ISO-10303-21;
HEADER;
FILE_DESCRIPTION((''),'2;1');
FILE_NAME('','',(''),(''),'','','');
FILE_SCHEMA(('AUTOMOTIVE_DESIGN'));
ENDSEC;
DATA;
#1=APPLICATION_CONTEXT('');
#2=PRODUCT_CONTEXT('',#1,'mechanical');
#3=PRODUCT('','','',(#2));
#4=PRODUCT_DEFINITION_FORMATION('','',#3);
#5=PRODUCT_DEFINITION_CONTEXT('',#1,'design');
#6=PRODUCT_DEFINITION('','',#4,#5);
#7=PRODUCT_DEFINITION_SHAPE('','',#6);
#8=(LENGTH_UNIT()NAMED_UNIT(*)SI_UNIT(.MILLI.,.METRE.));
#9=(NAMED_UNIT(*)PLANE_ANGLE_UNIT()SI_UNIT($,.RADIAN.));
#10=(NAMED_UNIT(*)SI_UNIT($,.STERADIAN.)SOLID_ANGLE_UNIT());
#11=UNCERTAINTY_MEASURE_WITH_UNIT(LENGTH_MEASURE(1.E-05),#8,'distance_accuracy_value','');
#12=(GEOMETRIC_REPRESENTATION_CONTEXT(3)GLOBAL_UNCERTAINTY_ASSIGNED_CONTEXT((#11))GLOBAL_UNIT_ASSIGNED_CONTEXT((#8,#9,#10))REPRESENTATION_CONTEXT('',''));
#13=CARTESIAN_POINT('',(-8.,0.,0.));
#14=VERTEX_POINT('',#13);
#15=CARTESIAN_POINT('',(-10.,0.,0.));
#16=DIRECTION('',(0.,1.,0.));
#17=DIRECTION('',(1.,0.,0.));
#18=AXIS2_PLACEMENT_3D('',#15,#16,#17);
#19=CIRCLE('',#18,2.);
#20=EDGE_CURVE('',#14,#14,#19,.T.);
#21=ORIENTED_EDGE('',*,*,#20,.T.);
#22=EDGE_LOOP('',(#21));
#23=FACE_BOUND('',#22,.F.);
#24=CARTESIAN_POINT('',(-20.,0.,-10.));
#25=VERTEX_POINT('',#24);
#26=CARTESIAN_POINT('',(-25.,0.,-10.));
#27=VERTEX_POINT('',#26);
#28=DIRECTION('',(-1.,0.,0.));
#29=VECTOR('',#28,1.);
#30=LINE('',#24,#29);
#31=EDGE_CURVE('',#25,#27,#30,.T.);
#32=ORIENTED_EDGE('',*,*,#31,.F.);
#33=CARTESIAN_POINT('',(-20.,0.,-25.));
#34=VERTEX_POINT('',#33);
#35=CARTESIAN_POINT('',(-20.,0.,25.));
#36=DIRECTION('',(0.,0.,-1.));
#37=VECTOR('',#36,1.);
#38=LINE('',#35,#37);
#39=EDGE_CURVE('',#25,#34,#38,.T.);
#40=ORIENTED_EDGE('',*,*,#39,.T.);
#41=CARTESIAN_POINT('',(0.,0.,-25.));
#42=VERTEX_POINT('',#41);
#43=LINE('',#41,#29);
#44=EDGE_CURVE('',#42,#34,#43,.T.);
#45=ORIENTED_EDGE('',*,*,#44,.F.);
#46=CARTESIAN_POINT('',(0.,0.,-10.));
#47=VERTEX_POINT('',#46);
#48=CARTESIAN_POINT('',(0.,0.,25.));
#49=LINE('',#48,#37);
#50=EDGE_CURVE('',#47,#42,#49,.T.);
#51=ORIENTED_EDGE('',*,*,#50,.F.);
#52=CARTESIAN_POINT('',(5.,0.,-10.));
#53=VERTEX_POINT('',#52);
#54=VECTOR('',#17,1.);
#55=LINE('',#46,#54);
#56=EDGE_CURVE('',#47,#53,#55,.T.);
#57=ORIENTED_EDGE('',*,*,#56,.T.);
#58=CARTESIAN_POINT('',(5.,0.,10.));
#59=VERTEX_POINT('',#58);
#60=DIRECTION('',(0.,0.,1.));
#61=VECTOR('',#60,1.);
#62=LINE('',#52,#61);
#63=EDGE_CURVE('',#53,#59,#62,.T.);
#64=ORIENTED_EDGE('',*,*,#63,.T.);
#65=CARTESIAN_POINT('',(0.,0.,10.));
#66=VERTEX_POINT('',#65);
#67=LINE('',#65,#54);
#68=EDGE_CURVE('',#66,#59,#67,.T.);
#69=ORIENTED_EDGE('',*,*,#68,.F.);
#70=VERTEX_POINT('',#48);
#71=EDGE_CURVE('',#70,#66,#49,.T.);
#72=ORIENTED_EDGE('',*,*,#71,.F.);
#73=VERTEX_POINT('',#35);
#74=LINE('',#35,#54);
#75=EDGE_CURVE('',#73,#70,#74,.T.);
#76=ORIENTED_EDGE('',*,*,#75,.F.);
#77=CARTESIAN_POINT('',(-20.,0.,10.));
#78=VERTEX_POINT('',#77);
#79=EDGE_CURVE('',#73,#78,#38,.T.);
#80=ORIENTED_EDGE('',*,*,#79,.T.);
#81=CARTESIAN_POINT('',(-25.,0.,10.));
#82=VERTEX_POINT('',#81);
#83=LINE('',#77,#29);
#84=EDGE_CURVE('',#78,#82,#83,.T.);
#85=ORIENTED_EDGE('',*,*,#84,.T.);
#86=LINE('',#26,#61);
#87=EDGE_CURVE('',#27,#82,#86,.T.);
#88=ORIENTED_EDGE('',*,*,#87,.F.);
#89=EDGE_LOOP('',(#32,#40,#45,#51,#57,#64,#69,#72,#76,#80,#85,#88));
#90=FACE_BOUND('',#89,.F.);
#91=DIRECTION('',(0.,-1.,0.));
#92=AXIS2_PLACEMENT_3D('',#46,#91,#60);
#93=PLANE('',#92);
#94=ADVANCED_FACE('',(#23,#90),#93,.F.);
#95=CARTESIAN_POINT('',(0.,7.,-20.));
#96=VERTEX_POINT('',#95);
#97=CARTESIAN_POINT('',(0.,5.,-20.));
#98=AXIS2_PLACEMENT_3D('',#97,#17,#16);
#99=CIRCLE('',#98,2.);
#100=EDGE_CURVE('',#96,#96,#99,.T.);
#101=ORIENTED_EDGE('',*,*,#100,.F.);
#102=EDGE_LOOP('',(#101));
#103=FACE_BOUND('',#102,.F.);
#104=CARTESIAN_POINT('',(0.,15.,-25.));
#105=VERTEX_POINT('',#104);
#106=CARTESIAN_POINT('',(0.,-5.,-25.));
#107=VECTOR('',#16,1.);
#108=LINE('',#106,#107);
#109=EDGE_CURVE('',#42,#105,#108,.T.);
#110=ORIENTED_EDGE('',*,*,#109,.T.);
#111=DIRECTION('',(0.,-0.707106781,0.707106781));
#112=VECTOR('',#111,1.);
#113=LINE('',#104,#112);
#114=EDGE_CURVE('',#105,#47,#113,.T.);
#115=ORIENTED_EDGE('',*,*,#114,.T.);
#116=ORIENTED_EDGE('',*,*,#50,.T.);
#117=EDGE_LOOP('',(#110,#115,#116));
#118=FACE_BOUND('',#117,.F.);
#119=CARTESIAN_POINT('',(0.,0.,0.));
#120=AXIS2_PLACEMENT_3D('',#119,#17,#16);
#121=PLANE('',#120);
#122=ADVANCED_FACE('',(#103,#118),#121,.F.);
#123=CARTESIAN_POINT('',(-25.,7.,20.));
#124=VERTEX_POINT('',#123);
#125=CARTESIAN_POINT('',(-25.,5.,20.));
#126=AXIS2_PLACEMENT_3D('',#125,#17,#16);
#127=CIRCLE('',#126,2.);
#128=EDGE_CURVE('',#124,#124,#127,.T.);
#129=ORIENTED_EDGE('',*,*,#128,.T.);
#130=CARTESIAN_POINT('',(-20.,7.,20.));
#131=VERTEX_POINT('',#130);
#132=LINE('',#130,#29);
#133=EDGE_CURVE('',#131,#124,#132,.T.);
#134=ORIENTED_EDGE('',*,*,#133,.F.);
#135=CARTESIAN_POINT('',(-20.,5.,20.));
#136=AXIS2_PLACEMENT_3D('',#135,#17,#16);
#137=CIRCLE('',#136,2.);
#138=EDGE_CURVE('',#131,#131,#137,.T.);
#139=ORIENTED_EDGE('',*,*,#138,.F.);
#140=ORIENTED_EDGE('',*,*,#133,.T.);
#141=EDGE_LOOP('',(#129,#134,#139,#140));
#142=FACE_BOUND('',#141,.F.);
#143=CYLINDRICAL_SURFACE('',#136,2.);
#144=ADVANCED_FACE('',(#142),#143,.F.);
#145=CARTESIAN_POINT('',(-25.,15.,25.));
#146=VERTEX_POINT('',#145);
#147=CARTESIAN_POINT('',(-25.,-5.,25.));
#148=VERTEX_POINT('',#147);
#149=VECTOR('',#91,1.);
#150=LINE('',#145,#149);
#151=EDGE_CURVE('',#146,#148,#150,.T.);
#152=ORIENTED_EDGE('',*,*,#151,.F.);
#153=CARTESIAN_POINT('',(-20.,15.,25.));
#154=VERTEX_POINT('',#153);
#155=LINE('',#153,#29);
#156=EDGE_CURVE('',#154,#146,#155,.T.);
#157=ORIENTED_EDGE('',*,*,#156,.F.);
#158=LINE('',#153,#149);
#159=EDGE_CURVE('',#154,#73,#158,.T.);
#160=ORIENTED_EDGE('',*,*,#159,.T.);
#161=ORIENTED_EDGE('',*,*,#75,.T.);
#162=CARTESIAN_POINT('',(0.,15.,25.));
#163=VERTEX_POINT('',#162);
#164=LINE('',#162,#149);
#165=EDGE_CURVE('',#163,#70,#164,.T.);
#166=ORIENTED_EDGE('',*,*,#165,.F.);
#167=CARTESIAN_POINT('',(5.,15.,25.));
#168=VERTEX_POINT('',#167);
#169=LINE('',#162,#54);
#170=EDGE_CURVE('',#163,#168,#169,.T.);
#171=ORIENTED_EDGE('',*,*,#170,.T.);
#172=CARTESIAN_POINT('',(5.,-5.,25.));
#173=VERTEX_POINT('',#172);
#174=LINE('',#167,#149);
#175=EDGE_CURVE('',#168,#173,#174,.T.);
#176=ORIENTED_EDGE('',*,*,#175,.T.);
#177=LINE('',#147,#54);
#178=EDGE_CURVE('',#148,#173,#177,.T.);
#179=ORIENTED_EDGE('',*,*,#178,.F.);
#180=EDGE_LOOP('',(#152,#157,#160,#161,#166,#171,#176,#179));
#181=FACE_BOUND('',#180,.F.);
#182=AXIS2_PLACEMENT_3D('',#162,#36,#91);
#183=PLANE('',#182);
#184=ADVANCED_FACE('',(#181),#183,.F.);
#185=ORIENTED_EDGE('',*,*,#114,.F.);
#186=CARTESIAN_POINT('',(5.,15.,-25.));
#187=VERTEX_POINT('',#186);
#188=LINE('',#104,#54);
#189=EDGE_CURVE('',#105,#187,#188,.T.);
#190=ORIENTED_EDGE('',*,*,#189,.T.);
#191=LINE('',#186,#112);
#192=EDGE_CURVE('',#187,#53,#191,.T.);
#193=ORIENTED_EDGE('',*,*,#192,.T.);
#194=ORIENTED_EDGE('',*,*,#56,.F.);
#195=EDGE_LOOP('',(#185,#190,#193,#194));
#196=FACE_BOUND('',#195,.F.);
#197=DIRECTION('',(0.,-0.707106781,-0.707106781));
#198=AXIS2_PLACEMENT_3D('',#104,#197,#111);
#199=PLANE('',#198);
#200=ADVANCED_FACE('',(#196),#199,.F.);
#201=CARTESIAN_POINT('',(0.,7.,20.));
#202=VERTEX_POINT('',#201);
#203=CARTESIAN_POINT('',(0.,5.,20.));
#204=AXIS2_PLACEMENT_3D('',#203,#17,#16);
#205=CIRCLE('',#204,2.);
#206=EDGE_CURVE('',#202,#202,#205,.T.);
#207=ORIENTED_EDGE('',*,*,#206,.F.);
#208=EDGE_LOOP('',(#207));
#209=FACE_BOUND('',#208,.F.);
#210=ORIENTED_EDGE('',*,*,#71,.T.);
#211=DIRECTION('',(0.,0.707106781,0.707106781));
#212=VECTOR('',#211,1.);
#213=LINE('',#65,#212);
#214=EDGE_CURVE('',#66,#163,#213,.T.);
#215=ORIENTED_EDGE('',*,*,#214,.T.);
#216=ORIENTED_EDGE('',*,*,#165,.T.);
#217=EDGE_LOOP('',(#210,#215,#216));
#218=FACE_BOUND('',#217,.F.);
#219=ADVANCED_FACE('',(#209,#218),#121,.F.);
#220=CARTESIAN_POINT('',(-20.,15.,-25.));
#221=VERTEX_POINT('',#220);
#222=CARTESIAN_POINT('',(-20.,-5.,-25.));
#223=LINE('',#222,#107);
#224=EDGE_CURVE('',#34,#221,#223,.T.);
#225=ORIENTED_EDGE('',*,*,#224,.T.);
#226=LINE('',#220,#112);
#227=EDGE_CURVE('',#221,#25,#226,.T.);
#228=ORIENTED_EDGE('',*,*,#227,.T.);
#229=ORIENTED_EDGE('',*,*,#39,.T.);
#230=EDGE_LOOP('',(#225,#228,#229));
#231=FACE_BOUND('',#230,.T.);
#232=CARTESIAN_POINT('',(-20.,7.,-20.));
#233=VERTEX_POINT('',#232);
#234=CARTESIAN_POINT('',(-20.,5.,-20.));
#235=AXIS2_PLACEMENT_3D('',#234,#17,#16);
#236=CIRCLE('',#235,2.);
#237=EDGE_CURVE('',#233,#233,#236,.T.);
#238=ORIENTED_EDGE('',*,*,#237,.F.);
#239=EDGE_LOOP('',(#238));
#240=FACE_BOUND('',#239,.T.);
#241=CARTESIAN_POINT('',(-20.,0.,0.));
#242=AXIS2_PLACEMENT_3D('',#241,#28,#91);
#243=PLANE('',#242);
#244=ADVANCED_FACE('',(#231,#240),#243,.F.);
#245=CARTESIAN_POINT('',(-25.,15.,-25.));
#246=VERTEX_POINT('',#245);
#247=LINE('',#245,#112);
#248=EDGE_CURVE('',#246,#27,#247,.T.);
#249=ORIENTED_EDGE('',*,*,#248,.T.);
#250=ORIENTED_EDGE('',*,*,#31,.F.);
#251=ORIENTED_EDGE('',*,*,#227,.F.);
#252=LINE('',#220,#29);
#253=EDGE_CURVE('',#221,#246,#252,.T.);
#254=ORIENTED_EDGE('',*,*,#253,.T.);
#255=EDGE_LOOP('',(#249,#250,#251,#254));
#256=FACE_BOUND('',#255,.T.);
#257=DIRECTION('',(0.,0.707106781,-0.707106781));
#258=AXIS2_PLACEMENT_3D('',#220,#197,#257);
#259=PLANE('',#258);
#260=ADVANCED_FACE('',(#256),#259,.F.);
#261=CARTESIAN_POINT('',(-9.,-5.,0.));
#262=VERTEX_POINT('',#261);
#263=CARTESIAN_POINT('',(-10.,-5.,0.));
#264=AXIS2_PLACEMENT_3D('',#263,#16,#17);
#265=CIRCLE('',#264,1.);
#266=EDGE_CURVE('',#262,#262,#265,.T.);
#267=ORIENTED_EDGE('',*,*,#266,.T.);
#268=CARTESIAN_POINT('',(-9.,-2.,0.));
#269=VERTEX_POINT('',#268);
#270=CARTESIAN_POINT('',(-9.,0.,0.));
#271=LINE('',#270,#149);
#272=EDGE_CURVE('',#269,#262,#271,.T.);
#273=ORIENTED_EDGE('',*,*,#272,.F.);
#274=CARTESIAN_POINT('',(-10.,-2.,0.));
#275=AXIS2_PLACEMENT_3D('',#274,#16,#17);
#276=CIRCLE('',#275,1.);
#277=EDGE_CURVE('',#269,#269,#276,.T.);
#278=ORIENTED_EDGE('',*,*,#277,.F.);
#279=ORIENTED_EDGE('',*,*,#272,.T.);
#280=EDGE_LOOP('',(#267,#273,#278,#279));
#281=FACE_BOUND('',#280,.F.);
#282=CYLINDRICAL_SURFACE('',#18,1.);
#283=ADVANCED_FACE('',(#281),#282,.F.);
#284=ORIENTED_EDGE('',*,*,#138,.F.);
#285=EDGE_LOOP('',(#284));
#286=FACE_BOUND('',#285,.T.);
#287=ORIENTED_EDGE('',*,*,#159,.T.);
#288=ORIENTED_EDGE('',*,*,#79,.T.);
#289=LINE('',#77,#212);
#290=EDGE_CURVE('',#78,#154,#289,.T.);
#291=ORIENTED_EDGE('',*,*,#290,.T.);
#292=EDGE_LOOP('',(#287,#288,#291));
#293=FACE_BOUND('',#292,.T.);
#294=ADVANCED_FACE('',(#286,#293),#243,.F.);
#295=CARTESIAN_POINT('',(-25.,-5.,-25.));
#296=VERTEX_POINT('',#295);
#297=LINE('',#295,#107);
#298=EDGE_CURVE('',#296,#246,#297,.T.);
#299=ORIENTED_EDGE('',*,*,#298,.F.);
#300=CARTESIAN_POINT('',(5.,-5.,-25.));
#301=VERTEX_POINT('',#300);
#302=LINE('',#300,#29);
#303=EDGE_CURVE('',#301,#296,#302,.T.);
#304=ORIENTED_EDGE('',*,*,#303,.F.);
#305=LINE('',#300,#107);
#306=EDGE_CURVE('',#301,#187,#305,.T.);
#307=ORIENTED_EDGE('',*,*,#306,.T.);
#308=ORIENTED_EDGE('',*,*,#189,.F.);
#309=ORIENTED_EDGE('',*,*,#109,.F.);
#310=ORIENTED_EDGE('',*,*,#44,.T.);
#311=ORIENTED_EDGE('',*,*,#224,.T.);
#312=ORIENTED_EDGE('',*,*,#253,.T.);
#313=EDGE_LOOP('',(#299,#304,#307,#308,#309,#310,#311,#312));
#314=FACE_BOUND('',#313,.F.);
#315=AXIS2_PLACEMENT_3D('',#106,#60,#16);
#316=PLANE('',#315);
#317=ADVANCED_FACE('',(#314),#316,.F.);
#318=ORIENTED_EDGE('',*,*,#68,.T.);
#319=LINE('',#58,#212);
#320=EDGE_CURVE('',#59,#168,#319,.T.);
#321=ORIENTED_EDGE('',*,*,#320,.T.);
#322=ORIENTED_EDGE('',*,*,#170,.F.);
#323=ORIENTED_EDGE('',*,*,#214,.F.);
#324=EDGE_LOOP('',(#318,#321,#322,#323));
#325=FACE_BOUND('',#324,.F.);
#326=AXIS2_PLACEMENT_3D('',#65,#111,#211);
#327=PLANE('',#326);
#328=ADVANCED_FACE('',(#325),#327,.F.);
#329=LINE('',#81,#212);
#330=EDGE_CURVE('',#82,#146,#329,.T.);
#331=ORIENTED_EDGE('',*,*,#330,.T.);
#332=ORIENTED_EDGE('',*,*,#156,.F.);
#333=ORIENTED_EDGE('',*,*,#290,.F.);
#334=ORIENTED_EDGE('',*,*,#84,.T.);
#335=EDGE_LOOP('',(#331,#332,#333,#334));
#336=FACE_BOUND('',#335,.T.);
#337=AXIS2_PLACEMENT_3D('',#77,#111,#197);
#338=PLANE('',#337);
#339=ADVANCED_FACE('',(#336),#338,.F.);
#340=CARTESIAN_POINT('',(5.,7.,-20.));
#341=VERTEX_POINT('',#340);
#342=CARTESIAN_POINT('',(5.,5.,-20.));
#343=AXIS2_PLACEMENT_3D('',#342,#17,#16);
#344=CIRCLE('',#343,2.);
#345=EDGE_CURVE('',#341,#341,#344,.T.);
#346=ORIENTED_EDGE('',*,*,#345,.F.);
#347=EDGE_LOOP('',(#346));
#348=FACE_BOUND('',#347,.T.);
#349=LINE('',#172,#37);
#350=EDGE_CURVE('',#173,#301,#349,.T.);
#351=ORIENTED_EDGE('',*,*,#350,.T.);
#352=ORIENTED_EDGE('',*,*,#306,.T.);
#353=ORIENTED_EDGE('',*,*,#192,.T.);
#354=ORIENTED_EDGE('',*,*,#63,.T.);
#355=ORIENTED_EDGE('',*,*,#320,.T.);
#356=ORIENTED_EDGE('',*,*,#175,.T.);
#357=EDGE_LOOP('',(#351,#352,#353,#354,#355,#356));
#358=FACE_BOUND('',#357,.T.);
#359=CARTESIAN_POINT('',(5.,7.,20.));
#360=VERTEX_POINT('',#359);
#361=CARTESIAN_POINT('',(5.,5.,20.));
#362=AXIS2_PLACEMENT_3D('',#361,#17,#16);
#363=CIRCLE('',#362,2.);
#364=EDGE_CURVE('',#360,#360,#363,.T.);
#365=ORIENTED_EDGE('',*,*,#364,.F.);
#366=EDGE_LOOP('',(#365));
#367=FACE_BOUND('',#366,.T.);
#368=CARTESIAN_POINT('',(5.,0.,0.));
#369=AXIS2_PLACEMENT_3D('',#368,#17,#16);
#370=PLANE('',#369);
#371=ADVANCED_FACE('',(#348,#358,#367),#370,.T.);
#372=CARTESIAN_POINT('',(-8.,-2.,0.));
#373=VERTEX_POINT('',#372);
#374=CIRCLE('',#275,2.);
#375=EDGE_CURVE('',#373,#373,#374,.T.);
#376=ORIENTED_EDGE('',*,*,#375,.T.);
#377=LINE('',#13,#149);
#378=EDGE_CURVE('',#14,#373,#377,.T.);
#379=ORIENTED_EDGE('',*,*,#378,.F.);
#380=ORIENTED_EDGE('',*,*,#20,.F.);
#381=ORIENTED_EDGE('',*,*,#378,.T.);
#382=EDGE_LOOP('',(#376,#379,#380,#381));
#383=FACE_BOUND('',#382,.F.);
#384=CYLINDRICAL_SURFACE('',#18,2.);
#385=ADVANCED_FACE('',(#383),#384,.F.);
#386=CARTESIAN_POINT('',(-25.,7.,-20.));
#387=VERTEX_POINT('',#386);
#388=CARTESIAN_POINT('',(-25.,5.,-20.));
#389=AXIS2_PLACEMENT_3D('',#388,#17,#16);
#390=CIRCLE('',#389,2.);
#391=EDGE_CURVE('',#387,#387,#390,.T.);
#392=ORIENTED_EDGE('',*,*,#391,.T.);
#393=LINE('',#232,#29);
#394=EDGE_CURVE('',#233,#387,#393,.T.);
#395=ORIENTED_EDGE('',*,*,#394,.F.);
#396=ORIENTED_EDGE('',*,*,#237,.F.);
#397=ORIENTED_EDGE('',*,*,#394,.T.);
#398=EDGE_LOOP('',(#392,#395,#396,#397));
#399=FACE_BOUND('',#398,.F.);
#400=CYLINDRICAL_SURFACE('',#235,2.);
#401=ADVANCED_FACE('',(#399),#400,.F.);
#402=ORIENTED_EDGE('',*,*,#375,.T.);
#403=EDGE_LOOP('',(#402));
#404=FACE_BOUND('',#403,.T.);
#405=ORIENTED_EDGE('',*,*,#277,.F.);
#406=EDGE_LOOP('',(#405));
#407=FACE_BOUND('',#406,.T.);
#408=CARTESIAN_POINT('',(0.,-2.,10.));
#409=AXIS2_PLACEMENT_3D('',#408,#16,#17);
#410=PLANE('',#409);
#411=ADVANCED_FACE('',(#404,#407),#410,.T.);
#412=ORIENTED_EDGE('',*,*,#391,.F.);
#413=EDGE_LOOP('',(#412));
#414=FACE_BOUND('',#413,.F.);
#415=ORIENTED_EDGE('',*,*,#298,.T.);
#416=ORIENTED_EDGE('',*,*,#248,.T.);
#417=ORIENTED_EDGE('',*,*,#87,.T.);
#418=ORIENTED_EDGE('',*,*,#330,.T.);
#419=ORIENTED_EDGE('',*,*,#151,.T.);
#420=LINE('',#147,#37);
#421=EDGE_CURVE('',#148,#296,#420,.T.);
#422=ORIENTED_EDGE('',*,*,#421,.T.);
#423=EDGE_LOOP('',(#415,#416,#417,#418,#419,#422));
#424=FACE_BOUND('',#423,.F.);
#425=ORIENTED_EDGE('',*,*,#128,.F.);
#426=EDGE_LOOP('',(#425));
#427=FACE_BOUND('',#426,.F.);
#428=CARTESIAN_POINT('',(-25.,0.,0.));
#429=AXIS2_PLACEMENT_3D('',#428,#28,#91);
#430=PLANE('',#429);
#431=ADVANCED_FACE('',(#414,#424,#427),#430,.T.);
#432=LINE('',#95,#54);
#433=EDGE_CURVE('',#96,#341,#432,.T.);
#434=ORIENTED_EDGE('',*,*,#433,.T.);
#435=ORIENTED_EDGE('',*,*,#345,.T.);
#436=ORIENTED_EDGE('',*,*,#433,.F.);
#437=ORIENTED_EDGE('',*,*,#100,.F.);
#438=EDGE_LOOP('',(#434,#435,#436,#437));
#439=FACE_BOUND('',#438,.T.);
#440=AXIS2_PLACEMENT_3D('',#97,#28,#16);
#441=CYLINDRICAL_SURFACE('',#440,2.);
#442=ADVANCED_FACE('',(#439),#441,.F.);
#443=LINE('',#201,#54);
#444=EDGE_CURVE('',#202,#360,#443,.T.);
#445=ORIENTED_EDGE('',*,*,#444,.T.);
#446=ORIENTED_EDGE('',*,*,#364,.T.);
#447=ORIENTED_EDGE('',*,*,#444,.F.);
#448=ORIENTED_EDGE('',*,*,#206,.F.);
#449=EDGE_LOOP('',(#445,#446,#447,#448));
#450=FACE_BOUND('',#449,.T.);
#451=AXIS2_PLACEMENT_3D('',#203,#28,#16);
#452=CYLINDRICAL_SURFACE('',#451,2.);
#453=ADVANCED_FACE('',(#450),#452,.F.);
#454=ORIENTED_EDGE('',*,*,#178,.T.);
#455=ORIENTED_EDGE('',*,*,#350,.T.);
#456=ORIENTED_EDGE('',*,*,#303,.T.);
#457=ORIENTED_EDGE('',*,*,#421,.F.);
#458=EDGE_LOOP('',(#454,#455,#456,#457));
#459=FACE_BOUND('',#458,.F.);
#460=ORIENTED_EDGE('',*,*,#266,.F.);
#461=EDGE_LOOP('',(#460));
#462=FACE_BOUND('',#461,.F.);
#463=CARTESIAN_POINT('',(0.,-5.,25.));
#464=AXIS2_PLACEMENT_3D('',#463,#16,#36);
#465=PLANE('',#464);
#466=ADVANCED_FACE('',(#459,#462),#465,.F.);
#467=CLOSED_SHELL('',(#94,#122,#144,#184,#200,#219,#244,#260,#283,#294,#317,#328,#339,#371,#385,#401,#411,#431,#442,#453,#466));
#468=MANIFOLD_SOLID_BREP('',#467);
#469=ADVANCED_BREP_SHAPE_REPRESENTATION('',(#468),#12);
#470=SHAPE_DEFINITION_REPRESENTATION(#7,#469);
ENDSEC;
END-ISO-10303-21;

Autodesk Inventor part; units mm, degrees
ref_plane "YZ Plane" through (0, 0, 0) normal (1, 0, 0) x (0, 1, 0)
ref_plane "XZ Plane" through (0, 0, 0) normal (0, 1, 0) x (-1, 0, 0)
ref_plane "XY Plane" through (0, 0, 0) normal (0, 0, 1) x (1, 0, 0)
sketch "Sketch1" plane through (0, 0, 0) normal (1, 0, 0) x (0, 1, 0)
  line L0 (15, 25) -> (-5, 25)
  line L1 (-5, 25) -> (-5, -25)
  line L2 (-5, -25) -> (15, -25)
  line L3 (15, -25) -> (0, -10)
  line L4 (0, -10) -> (0, 10)
  line L5 (0, 10) -> (15, 25)
  line L6 (0, 0) -> (-5, 0) construction
  circle A0 centre (5, -20) radius 2
  circle A1 centre (5, 20) radius 2
  dimension "d0" = 50
  dimension "d1" = 45
  dimension "d2" = 5
  dimension "d4" = 40
  dimension "d5" = 4
  dimension "d6" = 20
  dimension "d7" = 5
  dimension "d8" = 15
extrude "Extrusion1" add sketch "Sketch1" along normal blind 5
sketch "Sketch2" plane through (0, 0, 0) normal (-1, 0, 0) x (0, 0, 1)
  line L0 (25, -5) -> (-25, -5) projected
  line L1 (-25, -5) -> (25, -5)
  line L2 (25, -5) -> (25, 0)
  line L3 (25, 0) -> (-25, 0)
  line L4 (-25, 0) -> (-25, -5)
  point P0 (0, 0)
extrude "Extrusion2" add sketch "Sketch2" along normal blind 10
mirror "Mirror1" about plane through (-10, -2.5, 0) normal (-1, 0, 0)
sketch "Sketch3" plane through (0, 0, 10) normal (0, 1, 0) x (1, 0, 0)
  line L0 (-20, 0) -> (-20, -15) construction
  line L1 (0, 20) -> (5, 20) construction
  line L2 (-20, 0) -> (0, 20) construction
  line L3 (-20, 35) -> (-20, 20) construction
  line L4 (0, 0) -> (5, 0) construction
  line L5 (-20, 20) -> (0, 0) construction
  circle A0 centre (-10, 10) radius 2
  point P0 (0, 10)
  dimension "d13" = 4
extrude "Extrusion3" cut sketch "Sketch3" against normal blind 2
sketch "Sketch4" plane through (0, 0, 10) normal (0, 1, 0) x (1, 0, 0)
  circle A0 centre (-10, 10) radius 2 projected
  circle A1 centre (-10, 10) radius 1
  point P0 (0, 10)
  dimension "d16" = 2
extrude "Extrusion4" cut sketch "Sketch4" against normal through all contours A1
equation "\"d6\" = 0.5 * d4"
equation "\"d7\" = 0.333333 * d8"
properties part number "lower fan mount"
